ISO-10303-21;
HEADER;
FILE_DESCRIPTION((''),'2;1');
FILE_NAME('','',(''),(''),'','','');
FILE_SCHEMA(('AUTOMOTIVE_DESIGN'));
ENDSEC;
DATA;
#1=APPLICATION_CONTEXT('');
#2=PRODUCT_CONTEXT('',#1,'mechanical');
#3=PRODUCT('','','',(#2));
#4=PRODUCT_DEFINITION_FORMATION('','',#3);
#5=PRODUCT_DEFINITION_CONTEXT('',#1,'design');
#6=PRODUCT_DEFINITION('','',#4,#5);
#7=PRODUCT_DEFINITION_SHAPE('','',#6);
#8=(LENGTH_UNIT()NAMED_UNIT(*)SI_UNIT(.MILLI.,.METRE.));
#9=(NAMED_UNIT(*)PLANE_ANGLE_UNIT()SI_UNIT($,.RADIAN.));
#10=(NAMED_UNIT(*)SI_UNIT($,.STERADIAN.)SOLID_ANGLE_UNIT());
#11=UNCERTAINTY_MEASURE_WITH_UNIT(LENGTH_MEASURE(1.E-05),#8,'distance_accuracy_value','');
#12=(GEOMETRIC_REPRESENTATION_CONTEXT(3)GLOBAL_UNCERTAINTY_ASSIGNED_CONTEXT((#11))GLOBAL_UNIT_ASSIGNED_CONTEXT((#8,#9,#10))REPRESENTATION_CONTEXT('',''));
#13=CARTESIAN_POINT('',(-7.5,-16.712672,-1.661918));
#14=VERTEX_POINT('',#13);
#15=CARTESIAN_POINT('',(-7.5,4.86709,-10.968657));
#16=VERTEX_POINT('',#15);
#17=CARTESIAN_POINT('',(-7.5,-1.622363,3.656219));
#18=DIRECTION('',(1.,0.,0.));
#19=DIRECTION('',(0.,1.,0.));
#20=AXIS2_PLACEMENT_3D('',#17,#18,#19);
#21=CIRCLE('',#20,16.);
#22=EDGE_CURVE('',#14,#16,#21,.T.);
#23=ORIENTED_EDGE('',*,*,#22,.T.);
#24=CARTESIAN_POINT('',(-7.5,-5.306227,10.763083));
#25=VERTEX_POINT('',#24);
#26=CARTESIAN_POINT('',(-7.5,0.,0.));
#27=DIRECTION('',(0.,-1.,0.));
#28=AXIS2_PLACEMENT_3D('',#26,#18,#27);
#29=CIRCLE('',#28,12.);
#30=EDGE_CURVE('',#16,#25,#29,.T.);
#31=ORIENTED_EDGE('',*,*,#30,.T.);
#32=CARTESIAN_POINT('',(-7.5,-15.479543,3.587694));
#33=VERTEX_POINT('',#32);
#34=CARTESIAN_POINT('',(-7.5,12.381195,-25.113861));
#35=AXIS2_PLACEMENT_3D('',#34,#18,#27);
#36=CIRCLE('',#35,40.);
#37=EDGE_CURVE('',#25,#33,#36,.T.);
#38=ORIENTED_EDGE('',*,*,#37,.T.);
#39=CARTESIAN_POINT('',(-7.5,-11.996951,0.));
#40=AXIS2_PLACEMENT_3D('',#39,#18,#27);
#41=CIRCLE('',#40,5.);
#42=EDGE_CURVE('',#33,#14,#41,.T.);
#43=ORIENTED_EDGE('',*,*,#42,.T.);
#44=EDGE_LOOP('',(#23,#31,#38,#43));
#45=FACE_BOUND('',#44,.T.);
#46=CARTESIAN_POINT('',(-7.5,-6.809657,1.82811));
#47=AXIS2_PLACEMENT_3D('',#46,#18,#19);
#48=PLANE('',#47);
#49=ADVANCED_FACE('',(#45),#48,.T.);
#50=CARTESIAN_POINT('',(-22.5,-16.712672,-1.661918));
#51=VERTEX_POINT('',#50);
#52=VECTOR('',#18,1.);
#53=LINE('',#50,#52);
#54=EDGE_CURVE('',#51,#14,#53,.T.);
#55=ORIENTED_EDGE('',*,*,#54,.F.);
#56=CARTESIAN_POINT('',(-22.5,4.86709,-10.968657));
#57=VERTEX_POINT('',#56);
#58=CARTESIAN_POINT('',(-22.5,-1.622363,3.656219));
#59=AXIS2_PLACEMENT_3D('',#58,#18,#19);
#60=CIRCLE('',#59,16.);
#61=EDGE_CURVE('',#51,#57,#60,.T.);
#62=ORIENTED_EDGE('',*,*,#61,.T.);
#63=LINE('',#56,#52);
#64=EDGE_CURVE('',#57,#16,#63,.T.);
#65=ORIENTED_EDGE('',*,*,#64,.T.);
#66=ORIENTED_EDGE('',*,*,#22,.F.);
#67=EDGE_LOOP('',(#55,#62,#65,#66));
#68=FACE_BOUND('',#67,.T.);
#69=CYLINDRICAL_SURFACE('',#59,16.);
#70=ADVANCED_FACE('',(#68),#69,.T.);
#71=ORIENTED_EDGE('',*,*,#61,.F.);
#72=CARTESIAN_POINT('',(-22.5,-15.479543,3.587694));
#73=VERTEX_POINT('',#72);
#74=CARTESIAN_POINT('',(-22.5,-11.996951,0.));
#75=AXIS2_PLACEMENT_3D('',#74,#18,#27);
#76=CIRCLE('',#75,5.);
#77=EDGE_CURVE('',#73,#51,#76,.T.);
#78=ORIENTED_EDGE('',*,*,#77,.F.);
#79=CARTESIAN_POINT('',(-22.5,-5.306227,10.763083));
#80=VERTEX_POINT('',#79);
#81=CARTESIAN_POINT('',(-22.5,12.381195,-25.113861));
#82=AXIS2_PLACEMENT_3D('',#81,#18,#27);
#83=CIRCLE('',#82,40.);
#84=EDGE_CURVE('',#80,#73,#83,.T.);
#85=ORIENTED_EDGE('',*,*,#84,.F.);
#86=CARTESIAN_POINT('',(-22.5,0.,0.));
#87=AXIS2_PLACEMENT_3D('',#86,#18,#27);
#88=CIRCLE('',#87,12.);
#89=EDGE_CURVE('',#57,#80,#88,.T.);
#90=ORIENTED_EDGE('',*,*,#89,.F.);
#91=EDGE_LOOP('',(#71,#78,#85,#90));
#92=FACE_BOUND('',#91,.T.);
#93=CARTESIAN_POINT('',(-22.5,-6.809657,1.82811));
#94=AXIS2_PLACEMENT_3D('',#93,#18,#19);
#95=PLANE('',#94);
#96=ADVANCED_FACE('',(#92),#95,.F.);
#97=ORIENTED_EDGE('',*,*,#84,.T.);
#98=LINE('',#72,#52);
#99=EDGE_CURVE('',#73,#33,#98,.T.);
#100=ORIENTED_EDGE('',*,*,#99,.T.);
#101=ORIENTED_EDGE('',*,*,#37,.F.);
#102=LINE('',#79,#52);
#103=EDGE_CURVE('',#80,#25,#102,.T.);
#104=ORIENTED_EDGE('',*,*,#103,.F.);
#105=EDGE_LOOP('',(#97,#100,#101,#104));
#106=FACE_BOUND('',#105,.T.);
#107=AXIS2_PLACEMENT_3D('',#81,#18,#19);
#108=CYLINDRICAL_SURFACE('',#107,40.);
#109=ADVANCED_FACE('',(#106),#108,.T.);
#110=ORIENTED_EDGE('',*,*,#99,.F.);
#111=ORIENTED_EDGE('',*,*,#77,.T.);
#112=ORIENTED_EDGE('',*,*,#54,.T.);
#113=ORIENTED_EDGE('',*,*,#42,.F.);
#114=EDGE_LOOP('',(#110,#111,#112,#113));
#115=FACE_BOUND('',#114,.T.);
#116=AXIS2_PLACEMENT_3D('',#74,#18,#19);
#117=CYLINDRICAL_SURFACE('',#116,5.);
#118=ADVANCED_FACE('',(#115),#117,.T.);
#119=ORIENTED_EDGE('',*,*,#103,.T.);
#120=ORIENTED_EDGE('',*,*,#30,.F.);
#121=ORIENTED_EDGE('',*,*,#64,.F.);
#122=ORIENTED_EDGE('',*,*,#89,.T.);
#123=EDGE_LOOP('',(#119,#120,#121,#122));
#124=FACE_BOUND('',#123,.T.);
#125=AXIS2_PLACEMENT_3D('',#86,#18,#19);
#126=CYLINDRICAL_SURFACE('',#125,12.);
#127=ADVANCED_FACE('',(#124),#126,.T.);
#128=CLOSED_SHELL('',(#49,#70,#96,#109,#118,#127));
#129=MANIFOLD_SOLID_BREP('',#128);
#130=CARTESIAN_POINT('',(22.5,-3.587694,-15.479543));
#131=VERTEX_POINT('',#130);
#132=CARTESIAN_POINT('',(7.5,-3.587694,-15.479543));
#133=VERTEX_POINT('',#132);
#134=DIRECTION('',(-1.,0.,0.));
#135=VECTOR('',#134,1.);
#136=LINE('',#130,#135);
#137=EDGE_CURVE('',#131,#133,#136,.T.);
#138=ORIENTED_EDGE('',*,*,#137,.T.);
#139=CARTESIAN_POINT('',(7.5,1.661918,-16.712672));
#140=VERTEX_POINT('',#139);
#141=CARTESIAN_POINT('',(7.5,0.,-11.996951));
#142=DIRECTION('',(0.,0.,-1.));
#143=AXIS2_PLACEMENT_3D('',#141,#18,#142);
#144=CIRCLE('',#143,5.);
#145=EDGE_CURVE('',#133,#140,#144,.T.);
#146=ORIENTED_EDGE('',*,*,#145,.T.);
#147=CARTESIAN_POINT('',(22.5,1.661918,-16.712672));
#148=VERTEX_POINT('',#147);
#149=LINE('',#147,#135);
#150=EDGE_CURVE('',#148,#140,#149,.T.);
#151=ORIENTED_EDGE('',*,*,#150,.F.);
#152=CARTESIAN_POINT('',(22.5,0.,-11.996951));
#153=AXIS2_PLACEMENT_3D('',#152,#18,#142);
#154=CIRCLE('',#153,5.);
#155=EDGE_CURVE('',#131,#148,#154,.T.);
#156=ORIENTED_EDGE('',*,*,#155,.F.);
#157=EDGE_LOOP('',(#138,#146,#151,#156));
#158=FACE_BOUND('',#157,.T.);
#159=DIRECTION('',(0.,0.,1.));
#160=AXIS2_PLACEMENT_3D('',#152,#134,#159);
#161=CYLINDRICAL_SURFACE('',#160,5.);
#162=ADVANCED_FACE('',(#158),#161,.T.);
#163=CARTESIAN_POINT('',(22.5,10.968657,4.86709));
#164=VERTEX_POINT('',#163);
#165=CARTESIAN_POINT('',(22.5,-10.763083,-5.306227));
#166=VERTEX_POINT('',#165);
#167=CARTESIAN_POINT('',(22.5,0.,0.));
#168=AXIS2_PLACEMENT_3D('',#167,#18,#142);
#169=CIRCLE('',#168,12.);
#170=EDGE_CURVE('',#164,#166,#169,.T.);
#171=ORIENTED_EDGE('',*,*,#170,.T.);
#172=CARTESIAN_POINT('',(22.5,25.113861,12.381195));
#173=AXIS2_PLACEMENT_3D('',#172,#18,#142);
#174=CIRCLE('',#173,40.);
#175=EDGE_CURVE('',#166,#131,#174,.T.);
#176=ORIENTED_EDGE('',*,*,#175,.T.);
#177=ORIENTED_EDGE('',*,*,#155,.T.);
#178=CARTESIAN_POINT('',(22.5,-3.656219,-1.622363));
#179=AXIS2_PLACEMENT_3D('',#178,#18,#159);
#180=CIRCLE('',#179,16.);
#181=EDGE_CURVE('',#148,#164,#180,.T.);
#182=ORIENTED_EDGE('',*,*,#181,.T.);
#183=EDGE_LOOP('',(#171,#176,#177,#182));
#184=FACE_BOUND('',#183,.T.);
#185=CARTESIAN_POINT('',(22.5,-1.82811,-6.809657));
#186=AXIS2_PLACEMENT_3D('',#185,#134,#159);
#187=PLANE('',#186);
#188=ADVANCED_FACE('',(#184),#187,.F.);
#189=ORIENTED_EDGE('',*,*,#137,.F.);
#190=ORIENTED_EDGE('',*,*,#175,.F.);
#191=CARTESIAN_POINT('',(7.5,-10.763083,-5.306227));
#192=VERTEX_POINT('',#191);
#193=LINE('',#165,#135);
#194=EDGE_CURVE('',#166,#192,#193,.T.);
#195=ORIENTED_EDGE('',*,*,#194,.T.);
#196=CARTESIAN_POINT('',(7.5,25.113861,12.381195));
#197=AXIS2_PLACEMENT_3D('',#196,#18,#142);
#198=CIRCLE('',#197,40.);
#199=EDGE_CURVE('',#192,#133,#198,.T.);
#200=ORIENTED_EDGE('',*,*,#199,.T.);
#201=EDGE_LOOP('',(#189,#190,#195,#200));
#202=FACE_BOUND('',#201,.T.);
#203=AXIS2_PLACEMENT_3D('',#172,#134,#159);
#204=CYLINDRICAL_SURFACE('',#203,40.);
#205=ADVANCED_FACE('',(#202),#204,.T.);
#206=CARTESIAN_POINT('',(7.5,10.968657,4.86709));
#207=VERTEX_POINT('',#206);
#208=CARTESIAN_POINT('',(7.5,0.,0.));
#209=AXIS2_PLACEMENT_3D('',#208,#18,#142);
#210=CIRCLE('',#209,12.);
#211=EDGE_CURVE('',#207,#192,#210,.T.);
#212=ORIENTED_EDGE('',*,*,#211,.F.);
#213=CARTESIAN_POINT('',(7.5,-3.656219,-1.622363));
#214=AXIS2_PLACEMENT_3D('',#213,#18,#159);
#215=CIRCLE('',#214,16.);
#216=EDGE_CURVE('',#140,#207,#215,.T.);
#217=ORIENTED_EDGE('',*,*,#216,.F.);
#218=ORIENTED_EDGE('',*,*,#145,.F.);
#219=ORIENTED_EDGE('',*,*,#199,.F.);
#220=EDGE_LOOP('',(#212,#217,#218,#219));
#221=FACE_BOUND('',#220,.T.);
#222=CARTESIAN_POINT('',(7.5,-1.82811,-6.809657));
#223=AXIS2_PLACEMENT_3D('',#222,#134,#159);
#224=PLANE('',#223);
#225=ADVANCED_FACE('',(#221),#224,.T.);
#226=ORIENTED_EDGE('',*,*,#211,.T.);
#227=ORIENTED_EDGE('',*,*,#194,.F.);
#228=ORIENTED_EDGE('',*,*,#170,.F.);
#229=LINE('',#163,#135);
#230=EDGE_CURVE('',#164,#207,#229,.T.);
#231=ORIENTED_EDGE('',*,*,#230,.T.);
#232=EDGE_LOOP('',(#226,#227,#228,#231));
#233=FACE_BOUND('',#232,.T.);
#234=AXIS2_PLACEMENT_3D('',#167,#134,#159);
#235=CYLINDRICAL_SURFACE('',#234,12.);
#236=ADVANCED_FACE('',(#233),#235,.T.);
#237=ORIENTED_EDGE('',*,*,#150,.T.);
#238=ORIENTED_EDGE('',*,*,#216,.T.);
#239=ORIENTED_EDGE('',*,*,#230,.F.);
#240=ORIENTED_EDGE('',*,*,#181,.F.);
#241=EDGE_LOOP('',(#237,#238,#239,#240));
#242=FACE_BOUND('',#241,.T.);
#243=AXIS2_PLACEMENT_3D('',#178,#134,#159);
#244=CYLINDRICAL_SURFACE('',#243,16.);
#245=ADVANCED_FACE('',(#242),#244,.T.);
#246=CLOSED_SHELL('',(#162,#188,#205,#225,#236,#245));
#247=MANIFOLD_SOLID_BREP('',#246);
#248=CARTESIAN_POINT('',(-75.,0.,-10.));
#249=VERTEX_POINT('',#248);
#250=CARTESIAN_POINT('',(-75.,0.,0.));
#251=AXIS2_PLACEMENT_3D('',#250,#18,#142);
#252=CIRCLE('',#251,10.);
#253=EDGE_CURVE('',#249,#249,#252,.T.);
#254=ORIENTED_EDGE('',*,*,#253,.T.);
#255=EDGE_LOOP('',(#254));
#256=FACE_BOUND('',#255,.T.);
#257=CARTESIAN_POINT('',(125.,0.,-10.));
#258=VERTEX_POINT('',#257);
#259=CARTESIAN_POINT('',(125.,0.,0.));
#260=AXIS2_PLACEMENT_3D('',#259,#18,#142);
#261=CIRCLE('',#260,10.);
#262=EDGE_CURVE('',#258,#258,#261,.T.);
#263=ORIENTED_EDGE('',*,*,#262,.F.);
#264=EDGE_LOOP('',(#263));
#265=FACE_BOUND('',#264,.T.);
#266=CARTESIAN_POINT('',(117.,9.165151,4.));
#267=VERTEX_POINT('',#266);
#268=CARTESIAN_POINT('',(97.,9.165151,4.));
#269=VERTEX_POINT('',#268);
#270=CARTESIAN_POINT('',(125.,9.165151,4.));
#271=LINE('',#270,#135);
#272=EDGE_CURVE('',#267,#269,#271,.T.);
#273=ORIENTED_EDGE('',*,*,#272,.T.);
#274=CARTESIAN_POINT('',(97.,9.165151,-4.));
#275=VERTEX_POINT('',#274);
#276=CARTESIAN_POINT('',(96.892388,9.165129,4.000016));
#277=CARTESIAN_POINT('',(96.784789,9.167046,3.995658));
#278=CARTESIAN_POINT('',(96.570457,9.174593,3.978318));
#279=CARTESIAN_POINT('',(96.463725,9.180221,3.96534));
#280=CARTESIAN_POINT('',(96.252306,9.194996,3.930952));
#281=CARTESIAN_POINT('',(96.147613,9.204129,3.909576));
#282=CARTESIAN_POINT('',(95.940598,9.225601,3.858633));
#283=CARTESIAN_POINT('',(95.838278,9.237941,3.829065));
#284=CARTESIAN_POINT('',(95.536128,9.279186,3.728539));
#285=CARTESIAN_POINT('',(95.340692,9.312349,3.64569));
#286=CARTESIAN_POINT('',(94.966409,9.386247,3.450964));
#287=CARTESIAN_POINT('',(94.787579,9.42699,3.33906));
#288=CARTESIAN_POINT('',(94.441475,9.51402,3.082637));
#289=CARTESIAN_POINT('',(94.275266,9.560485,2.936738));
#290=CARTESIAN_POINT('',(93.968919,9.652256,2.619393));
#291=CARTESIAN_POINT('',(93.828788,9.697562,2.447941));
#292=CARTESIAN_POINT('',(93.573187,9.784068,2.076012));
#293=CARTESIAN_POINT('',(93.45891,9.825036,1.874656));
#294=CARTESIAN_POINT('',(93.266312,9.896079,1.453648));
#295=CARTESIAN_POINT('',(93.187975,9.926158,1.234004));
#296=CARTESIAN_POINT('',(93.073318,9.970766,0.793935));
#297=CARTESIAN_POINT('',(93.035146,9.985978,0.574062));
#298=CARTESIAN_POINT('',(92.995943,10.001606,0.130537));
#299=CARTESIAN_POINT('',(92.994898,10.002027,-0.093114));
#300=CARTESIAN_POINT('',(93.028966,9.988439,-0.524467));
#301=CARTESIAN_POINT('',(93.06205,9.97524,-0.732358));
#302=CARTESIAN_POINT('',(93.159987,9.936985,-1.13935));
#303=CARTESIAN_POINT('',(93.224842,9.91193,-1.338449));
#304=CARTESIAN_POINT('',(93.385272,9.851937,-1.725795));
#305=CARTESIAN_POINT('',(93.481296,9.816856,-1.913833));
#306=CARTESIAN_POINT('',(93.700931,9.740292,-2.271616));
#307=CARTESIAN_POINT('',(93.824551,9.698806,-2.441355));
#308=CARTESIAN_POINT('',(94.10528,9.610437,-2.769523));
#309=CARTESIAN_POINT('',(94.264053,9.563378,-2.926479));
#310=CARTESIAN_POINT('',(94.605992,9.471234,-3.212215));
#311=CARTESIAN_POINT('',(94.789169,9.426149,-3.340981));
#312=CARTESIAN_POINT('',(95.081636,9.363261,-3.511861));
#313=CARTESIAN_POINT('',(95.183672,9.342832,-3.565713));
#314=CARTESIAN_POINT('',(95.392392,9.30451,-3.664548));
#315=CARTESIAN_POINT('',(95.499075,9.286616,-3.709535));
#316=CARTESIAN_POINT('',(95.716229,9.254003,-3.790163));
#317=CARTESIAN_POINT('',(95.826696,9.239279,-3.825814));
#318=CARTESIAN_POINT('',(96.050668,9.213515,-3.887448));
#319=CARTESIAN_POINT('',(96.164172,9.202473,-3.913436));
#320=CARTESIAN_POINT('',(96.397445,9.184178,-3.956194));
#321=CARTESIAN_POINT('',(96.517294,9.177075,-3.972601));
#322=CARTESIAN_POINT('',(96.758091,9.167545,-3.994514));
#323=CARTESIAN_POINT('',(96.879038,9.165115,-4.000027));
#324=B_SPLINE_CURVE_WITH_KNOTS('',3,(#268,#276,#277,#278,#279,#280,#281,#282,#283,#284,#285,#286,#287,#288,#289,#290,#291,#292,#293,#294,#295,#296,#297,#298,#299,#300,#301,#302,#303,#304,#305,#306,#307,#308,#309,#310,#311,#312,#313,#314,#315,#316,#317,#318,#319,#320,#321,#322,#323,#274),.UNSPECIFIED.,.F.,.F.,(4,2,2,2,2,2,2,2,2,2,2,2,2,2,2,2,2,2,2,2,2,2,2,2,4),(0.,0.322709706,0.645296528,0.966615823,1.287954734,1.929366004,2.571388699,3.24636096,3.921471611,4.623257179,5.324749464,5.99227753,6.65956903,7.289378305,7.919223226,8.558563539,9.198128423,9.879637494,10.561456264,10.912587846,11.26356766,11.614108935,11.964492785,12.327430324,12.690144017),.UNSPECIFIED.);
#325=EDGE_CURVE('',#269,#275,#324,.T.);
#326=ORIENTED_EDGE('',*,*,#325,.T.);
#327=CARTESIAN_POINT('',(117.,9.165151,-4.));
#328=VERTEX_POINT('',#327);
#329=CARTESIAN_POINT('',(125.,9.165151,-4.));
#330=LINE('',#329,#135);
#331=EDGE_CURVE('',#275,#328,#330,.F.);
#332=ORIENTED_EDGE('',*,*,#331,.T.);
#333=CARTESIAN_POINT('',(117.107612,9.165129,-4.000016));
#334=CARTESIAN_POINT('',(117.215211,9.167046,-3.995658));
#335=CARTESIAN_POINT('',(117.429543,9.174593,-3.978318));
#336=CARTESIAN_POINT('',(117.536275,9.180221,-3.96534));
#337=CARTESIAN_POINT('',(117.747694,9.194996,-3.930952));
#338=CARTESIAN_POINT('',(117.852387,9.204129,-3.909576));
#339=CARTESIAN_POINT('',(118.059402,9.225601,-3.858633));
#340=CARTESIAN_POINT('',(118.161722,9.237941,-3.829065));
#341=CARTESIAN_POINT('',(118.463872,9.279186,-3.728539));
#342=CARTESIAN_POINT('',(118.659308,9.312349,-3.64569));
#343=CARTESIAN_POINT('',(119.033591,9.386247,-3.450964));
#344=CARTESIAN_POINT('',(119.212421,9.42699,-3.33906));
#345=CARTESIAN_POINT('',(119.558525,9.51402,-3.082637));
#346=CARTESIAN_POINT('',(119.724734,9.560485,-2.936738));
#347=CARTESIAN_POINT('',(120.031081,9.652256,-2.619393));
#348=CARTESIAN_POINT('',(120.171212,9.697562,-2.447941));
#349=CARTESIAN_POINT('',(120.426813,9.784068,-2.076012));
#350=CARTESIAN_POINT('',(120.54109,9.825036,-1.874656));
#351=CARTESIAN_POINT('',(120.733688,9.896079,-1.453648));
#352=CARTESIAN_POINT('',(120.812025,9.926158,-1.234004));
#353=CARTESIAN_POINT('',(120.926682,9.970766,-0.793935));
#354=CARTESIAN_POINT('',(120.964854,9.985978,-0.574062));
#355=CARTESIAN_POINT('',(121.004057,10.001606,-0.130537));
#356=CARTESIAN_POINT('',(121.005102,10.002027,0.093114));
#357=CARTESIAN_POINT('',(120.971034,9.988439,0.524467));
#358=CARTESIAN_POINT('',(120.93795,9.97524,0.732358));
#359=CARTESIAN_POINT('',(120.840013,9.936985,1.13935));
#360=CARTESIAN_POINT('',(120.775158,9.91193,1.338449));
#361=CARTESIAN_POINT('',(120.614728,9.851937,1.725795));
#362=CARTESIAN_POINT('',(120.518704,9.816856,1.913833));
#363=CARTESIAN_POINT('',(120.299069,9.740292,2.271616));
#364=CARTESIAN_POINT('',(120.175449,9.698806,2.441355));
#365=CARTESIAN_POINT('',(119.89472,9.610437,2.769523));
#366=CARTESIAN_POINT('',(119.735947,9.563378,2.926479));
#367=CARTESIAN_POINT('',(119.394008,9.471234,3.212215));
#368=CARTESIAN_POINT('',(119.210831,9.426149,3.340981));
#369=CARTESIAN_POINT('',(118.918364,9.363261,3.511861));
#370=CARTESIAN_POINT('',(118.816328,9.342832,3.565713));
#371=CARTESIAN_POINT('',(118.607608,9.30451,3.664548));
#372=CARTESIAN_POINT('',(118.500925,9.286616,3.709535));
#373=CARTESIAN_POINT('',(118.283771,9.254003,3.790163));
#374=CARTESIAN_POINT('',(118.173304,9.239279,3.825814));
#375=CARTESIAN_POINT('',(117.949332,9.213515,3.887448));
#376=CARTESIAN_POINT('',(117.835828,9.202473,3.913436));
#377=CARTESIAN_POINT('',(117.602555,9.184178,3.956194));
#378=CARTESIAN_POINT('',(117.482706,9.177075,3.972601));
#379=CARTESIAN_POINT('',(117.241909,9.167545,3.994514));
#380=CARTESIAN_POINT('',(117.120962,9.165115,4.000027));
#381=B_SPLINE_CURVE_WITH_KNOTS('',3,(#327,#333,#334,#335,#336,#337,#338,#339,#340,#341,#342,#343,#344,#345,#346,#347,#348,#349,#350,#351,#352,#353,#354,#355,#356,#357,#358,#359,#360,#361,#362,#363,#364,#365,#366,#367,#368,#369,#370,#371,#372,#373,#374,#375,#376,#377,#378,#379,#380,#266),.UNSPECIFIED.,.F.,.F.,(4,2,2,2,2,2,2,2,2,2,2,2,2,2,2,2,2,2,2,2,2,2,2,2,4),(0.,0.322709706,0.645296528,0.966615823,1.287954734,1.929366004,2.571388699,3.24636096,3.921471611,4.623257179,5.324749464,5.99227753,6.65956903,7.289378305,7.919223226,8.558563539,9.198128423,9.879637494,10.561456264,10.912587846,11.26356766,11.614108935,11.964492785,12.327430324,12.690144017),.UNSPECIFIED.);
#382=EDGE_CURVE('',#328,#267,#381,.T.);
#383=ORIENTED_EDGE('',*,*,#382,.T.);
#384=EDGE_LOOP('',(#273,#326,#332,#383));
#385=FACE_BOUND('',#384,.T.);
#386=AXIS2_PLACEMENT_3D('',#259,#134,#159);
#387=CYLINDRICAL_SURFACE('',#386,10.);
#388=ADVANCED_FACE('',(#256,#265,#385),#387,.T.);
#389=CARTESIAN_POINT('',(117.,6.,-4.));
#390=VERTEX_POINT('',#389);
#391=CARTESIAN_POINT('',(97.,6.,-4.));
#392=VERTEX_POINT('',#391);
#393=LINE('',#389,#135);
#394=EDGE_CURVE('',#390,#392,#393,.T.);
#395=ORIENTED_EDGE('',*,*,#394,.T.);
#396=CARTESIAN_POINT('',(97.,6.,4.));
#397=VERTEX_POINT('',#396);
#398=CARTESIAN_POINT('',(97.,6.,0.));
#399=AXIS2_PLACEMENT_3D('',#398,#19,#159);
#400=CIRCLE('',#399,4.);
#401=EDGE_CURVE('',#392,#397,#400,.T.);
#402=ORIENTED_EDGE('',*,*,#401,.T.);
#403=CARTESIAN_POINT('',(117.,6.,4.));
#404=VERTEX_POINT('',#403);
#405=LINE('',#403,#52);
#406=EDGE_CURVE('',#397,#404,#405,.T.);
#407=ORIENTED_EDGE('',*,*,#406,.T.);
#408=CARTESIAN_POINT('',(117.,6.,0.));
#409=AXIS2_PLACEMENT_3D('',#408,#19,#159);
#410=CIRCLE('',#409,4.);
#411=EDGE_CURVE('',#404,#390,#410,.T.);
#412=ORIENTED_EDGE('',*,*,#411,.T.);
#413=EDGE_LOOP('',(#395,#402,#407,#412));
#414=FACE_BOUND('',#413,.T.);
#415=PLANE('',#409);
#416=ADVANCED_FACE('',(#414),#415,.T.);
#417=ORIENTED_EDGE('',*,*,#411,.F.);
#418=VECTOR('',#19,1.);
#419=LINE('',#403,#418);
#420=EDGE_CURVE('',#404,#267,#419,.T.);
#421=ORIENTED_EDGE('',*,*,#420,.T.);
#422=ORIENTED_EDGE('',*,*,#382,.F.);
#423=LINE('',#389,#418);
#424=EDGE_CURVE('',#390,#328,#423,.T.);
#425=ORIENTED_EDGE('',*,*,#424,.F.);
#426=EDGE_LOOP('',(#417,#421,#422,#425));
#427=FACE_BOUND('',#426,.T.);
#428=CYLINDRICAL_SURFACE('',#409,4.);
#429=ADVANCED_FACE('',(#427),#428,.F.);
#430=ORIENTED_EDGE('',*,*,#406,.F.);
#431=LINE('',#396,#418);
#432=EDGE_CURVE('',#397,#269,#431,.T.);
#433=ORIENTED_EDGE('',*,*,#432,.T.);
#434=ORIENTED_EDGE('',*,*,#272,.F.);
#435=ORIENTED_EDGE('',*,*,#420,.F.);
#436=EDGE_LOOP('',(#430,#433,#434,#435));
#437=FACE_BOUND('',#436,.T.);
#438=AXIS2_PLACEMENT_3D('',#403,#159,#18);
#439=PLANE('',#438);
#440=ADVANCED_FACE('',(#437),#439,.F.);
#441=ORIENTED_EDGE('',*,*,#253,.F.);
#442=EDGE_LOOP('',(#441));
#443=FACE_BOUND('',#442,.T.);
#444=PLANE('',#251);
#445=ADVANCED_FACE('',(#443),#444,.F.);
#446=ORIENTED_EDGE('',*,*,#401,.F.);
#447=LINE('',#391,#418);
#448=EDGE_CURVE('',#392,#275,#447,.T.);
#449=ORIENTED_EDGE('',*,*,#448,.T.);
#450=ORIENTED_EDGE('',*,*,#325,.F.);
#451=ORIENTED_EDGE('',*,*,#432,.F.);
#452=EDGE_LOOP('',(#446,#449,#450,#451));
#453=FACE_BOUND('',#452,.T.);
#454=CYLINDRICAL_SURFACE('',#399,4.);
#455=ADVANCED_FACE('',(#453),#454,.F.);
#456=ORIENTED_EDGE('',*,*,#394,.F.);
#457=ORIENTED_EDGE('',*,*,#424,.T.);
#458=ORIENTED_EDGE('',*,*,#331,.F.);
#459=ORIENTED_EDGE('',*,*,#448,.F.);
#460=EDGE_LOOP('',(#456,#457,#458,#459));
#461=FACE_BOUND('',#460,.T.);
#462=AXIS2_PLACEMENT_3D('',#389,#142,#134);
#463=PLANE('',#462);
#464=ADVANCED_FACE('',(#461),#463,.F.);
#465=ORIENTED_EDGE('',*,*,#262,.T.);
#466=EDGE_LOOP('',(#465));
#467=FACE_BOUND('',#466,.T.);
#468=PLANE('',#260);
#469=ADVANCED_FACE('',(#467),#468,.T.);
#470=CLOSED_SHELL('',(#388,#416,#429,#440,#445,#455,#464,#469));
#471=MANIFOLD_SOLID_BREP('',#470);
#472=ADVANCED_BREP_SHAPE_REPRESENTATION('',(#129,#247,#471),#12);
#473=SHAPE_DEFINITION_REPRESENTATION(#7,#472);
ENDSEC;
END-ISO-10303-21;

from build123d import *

# Parameters (mm, degrees)
SKETCH1_R                = 10
BOSS_EXTRUDE1_DEPTH      = 125
BOSS_EXTRUDE1_DEPTH_BACK = 75
BOSS_EXTRUDE2_START      = 15
BOSS_EXTRUDE2_DEPTH      = 7.5
BODY_MOVE_COPY1_ANGLE    = 90
CUT_EXTRUDE1_DEPTH       = 4


with BuildPart() as part:
    # Sketch1 → Boss-Extrude1 (new body, two sides)
    with BuildSketch(Plane(origin=(0, 0, 0), x_dir=(0, 0, -1), z_dir=(1, 0, 0))) as boss_extrude1_sk:
        Circle(SKETCH1_R)
    extrude(amount=BOSS_EXTRUDE1_DEPTH)
    extrude(boss_extrude1_sk.sketch, amount=-BOSS_EXTRUDE1_DEPTH_BACK)

    # Sketch4 → Cut-Extrude1 (cut)
    with BuildSketch(Plane(origin=(0, 10, 0), x_dir=(1, 0, 0), z_dir=(0, 1, 0))):
        with BuildLine():
            Line((117, -4), (97, -4))
            ThreePointArc((97, -4), (93, 0), (97, 4))
            Line((97, 4), (117, 4))
            ThreePointArc((117, 4), (121, 0), (117, -4))
        make_face()
    extrude(amount=-CUT_EXTRUDE1_DEPTH, mode=Mode.SUBTRACT)


with BuildPart() as body_2:
    # Sketch2 → Boss-Extrude2 (new body, symmetric)
    with BuildSketch(Plane(origin=(0, 0, 0), x_dir=(0, 0, -1), z_dir=(1, 0, 0)).offset(BOSS_EXTRUDE2_START)):
        with BuildLine():
            ThreePointArc((15.479542802, -3.587694386), (16.864464688, -1.143374761), (16.712672037, 1.661917746))
            ThreePointArc((16.712672037, 1.661917746), (7.958571112, 11.035699457), (-4.867089568, 10.968657125))
            ThreePointArc((-4.867089568, 10.968657125), (-10.868088345, -5.087696504), (5.306226617, -10.763083159))
            ThreePointArc((5.306226617, -10.763083159), (10.673744978, -7.573594418), (15.479542802, -3.587694386))
        make_face()
    extrude(amount=BOSS_EXTRUDE2_DEPTH, both=True)


with BuildPart() as body_3:
    # Mirror4: mirrored copy
    add(body_2.part.mirror(Plane(origin=(0, 0, 0), x_dir=(0, 0, 1), z_dir=(1, 0, 0))))


with BuildPart() as body_3_1:
    # Body-Move/Copy1: moved
    add(body_3.part.rotate(Axis((0, 0, 0), (-1, 0, 0)), BODY_MOVE_COPY1_ANGLE))


solid = Compound([part.part, body_2.part, body_3_1.part])
